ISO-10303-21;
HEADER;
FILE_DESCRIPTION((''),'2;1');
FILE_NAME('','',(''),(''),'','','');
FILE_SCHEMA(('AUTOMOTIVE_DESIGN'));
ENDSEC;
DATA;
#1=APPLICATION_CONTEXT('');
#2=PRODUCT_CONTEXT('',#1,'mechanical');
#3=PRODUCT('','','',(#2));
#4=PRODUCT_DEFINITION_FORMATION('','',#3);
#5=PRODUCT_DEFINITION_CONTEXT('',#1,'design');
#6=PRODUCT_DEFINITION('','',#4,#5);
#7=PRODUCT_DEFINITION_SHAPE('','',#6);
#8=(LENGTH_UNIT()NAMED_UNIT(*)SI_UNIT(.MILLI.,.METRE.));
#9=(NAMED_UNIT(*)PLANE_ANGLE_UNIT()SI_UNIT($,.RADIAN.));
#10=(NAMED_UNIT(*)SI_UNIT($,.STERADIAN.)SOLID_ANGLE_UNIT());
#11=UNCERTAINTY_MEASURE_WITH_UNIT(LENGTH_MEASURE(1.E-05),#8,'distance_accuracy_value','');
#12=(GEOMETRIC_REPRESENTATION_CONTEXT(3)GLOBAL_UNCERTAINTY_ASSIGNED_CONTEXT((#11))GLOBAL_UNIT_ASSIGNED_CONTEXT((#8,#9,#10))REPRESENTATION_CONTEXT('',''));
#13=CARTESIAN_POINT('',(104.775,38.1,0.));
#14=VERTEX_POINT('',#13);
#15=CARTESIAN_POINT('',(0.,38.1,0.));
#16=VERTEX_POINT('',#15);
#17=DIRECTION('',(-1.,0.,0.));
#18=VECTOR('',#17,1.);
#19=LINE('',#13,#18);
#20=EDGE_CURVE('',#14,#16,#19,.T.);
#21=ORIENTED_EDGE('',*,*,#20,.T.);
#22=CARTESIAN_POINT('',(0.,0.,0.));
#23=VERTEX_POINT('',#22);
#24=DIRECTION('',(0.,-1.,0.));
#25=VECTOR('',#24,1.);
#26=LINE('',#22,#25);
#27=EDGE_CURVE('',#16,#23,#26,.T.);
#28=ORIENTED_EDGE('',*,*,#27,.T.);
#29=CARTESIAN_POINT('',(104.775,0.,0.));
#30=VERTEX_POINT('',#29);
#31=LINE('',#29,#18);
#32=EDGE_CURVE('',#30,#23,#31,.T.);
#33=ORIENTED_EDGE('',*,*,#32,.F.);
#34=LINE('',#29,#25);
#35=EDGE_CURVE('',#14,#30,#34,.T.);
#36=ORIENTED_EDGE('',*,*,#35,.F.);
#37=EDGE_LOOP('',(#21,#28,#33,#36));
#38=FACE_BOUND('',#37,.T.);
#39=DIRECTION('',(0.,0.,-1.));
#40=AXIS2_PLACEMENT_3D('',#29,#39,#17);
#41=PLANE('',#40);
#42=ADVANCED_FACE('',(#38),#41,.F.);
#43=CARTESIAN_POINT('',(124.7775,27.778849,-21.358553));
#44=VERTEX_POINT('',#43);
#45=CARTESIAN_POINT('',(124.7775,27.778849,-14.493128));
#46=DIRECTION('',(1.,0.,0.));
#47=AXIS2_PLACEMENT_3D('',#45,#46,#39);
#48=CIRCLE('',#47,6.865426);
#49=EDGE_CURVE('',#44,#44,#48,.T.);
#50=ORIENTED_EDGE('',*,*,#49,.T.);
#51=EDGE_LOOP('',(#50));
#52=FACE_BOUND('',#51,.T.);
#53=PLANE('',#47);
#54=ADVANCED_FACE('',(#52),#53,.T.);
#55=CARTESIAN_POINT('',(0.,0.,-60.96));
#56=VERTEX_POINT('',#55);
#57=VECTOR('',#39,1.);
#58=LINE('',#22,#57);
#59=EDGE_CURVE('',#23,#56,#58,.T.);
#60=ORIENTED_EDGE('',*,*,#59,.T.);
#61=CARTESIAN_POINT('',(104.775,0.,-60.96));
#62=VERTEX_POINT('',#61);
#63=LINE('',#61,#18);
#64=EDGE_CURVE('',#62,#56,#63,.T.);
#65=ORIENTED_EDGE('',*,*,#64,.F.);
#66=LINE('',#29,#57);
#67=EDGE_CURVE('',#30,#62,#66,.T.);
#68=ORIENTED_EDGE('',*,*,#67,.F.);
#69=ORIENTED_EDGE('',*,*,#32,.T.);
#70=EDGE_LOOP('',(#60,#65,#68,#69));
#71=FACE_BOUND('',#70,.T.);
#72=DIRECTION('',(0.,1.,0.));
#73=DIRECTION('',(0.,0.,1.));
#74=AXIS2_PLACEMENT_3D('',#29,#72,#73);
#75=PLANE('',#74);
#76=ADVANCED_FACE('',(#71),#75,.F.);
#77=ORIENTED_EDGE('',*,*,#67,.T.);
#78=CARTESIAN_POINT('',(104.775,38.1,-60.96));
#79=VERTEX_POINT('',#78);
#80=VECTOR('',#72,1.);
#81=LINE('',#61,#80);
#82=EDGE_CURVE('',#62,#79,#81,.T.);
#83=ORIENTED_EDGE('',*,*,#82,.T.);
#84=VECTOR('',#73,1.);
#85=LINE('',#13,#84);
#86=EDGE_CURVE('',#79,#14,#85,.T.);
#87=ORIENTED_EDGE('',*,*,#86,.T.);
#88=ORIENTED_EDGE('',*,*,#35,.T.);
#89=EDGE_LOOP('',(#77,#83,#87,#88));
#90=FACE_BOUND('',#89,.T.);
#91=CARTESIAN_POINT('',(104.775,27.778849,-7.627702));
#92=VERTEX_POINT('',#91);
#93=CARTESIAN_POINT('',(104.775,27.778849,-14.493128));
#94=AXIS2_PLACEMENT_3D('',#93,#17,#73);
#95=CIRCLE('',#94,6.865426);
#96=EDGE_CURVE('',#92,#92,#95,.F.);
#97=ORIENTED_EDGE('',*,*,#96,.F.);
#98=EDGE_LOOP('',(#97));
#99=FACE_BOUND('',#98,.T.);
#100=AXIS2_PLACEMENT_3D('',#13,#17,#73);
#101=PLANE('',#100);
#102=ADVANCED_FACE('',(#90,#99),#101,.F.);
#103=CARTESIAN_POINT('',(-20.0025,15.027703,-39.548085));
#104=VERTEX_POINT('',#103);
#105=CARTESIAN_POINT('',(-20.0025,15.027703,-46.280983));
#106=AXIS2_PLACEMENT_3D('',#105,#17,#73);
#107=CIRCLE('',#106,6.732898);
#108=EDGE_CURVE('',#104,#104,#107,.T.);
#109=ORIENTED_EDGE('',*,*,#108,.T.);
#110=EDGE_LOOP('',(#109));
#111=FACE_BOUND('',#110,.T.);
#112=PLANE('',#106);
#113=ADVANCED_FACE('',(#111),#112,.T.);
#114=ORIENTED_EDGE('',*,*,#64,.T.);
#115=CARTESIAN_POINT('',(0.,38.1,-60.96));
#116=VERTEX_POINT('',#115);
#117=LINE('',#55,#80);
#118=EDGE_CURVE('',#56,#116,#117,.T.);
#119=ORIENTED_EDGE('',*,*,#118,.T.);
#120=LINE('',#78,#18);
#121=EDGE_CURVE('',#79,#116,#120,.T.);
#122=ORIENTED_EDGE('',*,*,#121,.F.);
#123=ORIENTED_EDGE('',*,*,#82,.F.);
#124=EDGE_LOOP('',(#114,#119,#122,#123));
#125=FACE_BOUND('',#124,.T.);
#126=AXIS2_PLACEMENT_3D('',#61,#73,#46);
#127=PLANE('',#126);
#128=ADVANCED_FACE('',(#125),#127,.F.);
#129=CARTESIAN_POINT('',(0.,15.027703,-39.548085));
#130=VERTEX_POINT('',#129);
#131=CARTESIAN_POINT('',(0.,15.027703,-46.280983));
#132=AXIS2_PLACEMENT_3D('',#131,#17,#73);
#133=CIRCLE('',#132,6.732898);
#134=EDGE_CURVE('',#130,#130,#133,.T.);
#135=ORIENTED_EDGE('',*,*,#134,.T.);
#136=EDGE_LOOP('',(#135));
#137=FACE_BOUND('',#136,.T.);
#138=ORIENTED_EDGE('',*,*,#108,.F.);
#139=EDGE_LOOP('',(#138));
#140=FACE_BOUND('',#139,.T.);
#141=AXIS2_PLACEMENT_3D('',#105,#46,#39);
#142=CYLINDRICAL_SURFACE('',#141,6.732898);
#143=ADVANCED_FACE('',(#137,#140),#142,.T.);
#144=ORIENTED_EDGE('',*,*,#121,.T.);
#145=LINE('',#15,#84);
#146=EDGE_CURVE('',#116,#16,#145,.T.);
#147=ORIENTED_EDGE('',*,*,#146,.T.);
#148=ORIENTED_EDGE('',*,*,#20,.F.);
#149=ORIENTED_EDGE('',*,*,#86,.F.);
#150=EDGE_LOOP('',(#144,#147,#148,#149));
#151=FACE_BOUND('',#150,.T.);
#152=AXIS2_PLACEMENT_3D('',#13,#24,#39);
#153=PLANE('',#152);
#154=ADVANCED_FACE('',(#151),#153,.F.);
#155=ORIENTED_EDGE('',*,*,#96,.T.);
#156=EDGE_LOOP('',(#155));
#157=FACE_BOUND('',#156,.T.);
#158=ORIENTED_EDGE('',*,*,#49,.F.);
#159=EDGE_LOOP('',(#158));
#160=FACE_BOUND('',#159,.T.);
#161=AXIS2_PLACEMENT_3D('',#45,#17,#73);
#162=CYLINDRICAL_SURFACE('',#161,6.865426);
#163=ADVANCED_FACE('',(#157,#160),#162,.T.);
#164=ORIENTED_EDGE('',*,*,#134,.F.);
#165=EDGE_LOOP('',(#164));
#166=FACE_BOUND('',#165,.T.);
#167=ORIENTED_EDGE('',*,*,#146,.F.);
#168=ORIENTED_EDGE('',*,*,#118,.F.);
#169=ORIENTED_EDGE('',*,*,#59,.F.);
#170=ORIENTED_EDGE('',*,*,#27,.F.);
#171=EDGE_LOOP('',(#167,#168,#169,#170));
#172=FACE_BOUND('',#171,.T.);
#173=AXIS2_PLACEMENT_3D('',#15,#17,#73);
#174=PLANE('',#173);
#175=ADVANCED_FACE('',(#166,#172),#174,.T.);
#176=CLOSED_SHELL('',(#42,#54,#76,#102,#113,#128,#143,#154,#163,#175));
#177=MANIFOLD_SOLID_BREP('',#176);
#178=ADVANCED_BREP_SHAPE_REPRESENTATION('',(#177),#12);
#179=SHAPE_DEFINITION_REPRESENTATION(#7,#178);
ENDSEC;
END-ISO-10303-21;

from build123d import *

# Parameters (mm, degrees)
SKETCH1_W           = 60.96
SKETCH1_H           = 38.1
BOSS_EXTRUDE1_DEPTH = 104.775
SKETCH3_R           = 6.732897925
BOSS_EXTRUDE2_DEPTH = 20.0025
SKETCH2_R           = 6.865425502
BOSS_EXTRUDE3_DEPTH = 20.0025


with BuildPart() as part:
    # Sketch1 → Boss-Extrude1 (new body)
    with BuildSketch(Plane(origin=(0, 0, 0), x_dir=(0, 0, -1), z_dir=(1, 0, 0))):
        with Locations((30.48, 19.05)):
            Rectangle(SKETCH1_W, SKETCH1_H)
    extrude(amount=BOSS_EXTRUDE1_DEPTH)

    # Sketch3 → Boss-Extrude2 (add)
    with BuildSketch(Plane.ZY):
        with Locations((-46.280983346, 15.027703104)):
            Circle(SKETCH3_R)
    extrude(amount=BOSS_EXTRUDE2_DEPTH)

    # Sketch2 → Boss-Extrude3 (add)
    with BuildSketch(Plane(origin=(104.775, 0, 0), x_dir=(0, 0, -1), z_dir=(1, 0, 0))):
        with Locations(Location((14.493127779, 27.778848981, 0), (0, 0, 180))):
            Circle(SKETCH2_R)
    extrude(amount=BOSS_EXTRUDE3_DEPTH)


solid = part.part
